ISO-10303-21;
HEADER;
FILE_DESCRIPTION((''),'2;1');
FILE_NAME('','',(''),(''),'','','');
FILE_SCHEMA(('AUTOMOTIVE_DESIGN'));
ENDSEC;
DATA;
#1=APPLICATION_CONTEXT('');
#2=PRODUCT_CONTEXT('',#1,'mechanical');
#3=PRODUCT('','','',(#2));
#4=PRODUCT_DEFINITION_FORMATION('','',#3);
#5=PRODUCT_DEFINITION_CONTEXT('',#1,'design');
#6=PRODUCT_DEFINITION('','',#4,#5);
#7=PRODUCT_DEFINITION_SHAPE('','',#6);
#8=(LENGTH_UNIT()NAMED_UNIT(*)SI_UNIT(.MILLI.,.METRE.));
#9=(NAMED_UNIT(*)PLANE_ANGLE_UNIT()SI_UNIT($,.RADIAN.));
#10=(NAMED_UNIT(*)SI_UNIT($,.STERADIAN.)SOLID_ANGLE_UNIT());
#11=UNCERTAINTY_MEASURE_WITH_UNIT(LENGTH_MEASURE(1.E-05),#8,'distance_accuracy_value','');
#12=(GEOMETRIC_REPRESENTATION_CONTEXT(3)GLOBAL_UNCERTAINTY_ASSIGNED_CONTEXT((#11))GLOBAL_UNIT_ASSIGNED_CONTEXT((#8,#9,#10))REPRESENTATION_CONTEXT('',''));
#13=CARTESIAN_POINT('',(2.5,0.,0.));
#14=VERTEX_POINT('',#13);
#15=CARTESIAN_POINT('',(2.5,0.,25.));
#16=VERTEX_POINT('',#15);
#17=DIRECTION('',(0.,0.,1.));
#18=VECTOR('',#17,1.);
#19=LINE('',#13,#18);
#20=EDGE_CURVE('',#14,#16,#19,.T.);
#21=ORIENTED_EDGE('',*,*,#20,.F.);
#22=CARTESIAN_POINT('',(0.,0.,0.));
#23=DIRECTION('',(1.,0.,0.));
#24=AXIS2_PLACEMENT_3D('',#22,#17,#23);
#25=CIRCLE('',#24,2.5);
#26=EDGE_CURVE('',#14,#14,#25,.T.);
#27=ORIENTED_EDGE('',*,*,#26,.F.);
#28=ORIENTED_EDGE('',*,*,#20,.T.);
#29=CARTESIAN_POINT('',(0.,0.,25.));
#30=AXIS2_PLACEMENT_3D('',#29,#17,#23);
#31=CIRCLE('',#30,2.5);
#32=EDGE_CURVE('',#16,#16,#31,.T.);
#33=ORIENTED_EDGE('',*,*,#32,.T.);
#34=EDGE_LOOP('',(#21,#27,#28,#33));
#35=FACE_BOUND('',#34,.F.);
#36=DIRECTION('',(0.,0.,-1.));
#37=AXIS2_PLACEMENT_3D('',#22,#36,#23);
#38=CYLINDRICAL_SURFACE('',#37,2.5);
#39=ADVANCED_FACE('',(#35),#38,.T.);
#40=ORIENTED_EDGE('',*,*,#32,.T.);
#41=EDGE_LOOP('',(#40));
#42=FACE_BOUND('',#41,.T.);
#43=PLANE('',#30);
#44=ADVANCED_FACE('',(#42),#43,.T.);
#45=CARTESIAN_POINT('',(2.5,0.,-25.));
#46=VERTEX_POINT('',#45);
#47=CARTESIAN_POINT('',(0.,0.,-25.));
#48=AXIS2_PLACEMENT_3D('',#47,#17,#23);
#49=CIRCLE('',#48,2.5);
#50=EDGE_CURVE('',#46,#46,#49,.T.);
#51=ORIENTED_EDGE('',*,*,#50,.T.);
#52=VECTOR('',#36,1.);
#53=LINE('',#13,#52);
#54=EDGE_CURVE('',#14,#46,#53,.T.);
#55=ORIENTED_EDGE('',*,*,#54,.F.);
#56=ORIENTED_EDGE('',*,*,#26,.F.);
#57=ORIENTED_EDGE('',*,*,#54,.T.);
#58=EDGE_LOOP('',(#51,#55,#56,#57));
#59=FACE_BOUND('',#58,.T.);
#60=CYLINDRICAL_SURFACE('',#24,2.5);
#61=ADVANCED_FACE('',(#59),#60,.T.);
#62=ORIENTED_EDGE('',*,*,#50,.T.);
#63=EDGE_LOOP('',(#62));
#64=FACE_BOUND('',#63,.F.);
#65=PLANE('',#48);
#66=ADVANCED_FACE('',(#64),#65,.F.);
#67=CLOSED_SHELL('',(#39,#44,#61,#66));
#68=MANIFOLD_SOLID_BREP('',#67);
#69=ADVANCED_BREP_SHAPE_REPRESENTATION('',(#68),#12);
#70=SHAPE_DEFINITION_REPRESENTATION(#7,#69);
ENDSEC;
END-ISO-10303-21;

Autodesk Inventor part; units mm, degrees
ref_plane "YZ Plane" through (0, 0, 0) normal (1, 0, 0) x (0, 1, 0)
ref_plane "XZ Plane" through (0, 0, 0) normal (0, 1, 0) x (-1, 0, 0)
ref_plane "XY Plane" through (0, 0, 0) normal (0, 0, 1) x (1, 0, 0)
sketch "Sketch1" plane through (0, 0, 0) normal (0, 0, 1) x (1, 0, 0)
  circle A0 centre (0, 0) radius 2.5
  dimension "d0" = 5
extrude "Extrusion1" add sketch "Sketch1" along normal mid plane 50
properties part number "shaft" material "Steel"
